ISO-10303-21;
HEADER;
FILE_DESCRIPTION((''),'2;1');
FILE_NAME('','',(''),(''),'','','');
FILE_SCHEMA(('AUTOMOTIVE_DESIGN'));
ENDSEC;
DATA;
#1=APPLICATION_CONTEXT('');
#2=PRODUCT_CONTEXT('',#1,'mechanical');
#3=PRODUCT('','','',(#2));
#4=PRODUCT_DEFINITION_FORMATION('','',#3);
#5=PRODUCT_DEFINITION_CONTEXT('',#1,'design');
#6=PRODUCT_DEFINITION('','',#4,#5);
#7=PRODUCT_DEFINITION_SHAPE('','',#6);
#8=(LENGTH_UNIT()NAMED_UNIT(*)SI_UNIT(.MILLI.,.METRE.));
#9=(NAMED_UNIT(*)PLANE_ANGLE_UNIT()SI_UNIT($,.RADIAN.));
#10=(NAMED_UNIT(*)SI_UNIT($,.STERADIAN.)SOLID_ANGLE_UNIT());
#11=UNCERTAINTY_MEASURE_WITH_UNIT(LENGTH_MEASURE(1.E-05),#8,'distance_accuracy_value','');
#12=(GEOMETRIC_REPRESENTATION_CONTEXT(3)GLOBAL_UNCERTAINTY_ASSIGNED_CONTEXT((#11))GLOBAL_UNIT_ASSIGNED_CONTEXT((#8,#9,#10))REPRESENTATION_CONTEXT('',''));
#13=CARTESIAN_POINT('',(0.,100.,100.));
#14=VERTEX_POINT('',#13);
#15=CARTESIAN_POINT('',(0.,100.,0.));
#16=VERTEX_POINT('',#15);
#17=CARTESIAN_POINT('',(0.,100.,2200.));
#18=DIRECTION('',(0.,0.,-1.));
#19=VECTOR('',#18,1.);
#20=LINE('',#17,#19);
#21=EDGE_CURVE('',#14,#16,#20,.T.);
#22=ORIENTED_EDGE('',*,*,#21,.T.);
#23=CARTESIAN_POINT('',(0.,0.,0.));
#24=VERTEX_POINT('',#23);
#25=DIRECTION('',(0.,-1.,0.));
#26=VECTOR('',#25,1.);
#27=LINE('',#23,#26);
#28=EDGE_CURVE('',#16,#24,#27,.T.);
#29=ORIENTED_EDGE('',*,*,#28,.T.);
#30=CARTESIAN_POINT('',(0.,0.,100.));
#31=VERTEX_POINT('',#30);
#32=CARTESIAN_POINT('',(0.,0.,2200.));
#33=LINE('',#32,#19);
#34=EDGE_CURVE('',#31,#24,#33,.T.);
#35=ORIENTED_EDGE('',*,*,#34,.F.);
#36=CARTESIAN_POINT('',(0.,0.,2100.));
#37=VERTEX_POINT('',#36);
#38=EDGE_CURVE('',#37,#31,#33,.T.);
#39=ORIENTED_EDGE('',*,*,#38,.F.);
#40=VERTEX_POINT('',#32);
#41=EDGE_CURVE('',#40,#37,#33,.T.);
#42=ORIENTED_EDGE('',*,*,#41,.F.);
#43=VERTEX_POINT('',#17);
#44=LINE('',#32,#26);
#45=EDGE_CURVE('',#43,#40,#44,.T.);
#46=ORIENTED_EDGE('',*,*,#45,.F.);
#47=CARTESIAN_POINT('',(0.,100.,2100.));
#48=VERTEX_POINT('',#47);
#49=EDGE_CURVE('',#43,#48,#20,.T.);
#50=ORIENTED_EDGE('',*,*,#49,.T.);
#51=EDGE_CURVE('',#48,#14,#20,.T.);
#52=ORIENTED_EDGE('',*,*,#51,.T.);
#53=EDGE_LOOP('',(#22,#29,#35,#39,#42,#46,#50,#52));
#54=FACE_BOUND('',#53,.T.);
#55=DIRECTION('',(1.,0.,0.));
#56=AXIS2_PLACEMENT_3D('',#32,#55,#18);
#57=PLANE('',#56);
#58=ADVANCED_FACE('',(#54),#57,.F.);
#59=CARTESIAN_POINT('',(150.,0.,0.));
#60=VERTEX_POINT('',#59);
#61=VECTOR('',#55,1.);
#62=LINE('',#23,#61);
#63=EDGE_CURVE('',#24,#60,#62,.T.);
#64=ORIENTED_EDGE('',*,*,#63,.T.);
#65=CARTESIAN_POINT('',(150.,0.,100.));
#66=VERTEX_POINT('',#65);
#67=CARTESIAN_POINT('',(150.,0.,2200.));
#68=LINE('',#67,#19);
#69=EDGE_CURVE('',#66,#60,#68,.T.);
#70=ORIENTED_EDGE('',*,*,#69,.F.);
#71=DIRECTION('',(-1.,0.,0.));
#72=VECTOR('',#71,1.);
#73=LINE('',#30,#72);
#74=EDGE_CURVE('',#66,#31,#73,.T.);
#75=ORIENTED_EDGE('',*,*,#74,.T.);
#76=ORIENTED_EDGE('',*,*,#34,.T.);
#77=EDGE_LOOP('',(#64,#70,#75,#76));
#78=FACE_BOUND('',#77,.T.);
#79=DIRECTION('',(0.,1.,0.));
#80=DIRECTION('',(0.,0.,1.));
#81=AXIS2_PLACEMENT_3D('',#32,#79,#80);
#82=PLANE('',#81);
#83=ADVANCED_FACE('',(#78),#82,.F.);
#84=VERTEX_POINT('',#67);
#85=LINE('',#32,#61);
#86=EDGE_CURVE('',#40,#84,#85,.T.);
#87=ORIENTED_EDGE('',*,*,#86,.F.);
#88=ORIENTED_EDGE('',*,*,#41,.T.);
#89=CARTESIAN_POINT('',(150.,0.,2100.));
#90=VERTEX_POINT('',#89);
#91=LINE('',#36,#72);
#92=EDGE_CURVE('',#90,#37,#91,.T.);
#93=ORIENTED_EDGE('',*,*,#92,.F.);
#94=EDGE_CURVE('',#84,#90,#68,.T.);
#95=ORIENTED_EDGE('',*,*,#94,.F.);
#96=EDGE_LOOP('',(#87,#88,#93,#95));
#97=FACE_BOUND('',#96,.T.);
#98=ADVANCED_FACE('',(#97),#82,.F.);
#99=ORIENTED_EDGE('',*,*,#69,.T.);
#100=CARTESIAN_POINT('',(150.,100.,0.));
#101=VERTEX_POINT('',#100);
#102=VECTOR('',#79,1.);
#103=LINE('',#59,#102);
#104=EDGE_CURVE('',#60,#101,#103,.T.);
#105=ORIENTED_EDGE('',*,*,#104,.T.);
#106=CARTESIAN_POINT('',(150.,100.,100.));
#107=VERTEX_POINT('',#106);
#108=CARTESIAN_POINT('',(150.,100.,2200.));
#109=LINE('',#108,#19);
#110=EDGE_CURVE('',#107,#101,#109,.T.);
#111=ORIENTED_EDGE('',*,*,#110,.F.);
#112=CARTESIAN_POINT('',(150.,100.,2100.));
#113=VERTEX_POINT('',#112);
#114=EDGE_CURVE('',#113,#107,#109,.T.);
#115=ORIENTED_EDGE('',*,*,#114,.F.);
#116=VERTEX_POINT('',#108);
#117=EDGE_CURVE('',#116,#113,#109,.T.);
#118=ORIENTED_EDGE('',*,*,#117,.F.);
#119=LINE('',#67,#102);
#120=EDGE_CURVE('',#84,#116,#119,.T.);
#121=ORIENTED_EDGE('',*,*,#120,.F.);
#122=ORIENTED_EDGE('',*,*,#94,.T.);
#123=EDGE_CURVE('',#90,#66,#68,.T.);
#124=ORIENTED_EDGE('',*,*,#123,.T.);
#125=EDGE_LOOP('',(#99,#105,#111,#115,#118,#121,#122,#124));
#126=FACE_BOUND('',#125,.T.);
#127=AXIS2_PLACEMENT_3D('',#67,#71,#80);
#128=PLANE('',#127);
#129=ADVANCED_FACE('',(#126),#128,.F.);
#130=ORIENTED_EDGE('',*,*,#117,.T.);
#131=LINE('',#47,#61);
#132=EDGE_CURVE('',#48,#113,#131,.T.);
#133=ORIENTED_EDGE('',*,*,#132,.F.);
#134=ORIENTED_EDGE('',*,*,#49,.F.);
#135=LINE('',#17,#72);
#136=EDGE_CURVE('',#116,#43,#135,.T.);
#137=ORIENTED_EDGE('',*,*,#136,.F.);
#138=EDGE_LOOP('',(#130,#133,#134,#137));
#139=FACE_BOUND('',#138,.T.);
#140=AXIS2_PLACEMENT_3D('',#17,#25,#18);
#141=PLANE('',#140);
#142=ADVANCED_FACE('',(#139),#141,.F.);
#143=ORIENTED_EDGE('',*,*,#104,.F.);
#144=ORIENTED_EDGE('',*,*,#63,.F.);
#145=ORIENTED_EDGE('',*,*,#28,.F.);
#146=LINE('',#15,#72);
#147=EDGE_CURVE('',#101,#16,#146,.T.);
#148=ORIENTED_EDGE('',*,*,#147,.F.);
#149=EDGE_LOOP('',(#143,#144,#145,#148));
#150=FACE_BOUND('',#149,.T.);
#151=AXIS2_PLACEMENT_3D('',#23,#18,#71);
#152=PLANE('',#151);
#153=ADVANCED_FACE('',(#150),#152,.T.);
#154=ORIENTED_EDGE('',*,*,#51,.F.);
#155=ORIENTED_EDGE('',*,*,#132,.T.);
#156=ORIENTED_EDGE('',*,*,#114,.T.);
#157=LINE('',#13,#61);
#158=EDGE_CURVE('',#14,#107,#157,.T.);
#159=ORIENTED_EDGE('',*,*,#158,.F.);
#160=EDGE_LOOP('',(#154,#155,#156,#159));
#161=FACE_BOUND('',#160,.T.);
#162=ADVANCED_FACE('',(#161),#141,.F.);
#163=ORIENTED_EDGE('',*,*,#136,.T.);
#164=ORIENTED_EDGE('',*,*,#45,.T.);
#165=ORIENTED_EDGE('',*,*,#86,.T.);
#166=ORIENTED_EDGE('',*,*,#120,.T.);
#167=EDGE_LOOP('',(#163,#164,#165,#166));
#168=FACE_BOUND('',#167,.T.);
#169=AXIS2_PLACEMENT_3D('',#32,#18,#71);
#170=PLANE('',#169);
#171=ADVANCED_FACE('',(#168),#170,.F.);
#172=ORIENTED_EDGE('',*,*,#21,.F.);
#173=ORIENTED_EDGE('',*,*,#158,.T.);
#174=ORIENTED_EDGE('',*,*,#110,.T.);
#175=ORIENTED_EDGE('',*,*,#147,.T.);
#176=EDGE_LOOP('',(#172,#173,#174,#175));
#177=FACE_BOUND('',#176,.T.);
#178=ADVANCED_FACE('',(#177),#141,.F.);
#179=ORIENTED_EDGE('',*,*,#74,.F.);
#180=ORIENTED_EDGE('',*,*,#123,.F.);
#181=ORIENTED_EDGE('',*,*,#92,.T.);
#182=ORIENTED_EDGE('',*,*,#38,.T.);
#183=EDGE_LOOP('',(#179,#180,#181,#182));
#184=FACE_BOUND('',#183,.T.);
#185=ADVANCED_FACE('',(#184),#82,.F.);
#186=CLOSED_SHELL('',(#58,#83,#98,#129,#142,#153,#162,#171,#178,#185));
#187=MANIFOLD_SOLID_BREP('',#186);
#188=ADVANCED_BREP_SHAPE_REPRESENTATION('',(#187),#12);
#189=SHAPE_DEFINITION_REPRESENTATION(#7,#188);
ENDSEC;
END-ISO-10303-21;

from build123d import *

# Parameters (mm, degrees)
SZKIC1_W                    = 150
SZKIC1_H                    = 100
DODANIE_WYCI_GNI_CIE1_DEPTH = 2200


with BuildPart() as part:
    # Szkic1 → Dodanie-wyciągnięcie1 (new body)
    with BuildSketch(Plane.XY):
        with Locations((75, 50)):
            Rectangle(SZKIC1_W, SZKIC1_H)
    extrude(amount=DODANIE_WYCI_GNI_CIE1_DEPTH)


solid = part.part
